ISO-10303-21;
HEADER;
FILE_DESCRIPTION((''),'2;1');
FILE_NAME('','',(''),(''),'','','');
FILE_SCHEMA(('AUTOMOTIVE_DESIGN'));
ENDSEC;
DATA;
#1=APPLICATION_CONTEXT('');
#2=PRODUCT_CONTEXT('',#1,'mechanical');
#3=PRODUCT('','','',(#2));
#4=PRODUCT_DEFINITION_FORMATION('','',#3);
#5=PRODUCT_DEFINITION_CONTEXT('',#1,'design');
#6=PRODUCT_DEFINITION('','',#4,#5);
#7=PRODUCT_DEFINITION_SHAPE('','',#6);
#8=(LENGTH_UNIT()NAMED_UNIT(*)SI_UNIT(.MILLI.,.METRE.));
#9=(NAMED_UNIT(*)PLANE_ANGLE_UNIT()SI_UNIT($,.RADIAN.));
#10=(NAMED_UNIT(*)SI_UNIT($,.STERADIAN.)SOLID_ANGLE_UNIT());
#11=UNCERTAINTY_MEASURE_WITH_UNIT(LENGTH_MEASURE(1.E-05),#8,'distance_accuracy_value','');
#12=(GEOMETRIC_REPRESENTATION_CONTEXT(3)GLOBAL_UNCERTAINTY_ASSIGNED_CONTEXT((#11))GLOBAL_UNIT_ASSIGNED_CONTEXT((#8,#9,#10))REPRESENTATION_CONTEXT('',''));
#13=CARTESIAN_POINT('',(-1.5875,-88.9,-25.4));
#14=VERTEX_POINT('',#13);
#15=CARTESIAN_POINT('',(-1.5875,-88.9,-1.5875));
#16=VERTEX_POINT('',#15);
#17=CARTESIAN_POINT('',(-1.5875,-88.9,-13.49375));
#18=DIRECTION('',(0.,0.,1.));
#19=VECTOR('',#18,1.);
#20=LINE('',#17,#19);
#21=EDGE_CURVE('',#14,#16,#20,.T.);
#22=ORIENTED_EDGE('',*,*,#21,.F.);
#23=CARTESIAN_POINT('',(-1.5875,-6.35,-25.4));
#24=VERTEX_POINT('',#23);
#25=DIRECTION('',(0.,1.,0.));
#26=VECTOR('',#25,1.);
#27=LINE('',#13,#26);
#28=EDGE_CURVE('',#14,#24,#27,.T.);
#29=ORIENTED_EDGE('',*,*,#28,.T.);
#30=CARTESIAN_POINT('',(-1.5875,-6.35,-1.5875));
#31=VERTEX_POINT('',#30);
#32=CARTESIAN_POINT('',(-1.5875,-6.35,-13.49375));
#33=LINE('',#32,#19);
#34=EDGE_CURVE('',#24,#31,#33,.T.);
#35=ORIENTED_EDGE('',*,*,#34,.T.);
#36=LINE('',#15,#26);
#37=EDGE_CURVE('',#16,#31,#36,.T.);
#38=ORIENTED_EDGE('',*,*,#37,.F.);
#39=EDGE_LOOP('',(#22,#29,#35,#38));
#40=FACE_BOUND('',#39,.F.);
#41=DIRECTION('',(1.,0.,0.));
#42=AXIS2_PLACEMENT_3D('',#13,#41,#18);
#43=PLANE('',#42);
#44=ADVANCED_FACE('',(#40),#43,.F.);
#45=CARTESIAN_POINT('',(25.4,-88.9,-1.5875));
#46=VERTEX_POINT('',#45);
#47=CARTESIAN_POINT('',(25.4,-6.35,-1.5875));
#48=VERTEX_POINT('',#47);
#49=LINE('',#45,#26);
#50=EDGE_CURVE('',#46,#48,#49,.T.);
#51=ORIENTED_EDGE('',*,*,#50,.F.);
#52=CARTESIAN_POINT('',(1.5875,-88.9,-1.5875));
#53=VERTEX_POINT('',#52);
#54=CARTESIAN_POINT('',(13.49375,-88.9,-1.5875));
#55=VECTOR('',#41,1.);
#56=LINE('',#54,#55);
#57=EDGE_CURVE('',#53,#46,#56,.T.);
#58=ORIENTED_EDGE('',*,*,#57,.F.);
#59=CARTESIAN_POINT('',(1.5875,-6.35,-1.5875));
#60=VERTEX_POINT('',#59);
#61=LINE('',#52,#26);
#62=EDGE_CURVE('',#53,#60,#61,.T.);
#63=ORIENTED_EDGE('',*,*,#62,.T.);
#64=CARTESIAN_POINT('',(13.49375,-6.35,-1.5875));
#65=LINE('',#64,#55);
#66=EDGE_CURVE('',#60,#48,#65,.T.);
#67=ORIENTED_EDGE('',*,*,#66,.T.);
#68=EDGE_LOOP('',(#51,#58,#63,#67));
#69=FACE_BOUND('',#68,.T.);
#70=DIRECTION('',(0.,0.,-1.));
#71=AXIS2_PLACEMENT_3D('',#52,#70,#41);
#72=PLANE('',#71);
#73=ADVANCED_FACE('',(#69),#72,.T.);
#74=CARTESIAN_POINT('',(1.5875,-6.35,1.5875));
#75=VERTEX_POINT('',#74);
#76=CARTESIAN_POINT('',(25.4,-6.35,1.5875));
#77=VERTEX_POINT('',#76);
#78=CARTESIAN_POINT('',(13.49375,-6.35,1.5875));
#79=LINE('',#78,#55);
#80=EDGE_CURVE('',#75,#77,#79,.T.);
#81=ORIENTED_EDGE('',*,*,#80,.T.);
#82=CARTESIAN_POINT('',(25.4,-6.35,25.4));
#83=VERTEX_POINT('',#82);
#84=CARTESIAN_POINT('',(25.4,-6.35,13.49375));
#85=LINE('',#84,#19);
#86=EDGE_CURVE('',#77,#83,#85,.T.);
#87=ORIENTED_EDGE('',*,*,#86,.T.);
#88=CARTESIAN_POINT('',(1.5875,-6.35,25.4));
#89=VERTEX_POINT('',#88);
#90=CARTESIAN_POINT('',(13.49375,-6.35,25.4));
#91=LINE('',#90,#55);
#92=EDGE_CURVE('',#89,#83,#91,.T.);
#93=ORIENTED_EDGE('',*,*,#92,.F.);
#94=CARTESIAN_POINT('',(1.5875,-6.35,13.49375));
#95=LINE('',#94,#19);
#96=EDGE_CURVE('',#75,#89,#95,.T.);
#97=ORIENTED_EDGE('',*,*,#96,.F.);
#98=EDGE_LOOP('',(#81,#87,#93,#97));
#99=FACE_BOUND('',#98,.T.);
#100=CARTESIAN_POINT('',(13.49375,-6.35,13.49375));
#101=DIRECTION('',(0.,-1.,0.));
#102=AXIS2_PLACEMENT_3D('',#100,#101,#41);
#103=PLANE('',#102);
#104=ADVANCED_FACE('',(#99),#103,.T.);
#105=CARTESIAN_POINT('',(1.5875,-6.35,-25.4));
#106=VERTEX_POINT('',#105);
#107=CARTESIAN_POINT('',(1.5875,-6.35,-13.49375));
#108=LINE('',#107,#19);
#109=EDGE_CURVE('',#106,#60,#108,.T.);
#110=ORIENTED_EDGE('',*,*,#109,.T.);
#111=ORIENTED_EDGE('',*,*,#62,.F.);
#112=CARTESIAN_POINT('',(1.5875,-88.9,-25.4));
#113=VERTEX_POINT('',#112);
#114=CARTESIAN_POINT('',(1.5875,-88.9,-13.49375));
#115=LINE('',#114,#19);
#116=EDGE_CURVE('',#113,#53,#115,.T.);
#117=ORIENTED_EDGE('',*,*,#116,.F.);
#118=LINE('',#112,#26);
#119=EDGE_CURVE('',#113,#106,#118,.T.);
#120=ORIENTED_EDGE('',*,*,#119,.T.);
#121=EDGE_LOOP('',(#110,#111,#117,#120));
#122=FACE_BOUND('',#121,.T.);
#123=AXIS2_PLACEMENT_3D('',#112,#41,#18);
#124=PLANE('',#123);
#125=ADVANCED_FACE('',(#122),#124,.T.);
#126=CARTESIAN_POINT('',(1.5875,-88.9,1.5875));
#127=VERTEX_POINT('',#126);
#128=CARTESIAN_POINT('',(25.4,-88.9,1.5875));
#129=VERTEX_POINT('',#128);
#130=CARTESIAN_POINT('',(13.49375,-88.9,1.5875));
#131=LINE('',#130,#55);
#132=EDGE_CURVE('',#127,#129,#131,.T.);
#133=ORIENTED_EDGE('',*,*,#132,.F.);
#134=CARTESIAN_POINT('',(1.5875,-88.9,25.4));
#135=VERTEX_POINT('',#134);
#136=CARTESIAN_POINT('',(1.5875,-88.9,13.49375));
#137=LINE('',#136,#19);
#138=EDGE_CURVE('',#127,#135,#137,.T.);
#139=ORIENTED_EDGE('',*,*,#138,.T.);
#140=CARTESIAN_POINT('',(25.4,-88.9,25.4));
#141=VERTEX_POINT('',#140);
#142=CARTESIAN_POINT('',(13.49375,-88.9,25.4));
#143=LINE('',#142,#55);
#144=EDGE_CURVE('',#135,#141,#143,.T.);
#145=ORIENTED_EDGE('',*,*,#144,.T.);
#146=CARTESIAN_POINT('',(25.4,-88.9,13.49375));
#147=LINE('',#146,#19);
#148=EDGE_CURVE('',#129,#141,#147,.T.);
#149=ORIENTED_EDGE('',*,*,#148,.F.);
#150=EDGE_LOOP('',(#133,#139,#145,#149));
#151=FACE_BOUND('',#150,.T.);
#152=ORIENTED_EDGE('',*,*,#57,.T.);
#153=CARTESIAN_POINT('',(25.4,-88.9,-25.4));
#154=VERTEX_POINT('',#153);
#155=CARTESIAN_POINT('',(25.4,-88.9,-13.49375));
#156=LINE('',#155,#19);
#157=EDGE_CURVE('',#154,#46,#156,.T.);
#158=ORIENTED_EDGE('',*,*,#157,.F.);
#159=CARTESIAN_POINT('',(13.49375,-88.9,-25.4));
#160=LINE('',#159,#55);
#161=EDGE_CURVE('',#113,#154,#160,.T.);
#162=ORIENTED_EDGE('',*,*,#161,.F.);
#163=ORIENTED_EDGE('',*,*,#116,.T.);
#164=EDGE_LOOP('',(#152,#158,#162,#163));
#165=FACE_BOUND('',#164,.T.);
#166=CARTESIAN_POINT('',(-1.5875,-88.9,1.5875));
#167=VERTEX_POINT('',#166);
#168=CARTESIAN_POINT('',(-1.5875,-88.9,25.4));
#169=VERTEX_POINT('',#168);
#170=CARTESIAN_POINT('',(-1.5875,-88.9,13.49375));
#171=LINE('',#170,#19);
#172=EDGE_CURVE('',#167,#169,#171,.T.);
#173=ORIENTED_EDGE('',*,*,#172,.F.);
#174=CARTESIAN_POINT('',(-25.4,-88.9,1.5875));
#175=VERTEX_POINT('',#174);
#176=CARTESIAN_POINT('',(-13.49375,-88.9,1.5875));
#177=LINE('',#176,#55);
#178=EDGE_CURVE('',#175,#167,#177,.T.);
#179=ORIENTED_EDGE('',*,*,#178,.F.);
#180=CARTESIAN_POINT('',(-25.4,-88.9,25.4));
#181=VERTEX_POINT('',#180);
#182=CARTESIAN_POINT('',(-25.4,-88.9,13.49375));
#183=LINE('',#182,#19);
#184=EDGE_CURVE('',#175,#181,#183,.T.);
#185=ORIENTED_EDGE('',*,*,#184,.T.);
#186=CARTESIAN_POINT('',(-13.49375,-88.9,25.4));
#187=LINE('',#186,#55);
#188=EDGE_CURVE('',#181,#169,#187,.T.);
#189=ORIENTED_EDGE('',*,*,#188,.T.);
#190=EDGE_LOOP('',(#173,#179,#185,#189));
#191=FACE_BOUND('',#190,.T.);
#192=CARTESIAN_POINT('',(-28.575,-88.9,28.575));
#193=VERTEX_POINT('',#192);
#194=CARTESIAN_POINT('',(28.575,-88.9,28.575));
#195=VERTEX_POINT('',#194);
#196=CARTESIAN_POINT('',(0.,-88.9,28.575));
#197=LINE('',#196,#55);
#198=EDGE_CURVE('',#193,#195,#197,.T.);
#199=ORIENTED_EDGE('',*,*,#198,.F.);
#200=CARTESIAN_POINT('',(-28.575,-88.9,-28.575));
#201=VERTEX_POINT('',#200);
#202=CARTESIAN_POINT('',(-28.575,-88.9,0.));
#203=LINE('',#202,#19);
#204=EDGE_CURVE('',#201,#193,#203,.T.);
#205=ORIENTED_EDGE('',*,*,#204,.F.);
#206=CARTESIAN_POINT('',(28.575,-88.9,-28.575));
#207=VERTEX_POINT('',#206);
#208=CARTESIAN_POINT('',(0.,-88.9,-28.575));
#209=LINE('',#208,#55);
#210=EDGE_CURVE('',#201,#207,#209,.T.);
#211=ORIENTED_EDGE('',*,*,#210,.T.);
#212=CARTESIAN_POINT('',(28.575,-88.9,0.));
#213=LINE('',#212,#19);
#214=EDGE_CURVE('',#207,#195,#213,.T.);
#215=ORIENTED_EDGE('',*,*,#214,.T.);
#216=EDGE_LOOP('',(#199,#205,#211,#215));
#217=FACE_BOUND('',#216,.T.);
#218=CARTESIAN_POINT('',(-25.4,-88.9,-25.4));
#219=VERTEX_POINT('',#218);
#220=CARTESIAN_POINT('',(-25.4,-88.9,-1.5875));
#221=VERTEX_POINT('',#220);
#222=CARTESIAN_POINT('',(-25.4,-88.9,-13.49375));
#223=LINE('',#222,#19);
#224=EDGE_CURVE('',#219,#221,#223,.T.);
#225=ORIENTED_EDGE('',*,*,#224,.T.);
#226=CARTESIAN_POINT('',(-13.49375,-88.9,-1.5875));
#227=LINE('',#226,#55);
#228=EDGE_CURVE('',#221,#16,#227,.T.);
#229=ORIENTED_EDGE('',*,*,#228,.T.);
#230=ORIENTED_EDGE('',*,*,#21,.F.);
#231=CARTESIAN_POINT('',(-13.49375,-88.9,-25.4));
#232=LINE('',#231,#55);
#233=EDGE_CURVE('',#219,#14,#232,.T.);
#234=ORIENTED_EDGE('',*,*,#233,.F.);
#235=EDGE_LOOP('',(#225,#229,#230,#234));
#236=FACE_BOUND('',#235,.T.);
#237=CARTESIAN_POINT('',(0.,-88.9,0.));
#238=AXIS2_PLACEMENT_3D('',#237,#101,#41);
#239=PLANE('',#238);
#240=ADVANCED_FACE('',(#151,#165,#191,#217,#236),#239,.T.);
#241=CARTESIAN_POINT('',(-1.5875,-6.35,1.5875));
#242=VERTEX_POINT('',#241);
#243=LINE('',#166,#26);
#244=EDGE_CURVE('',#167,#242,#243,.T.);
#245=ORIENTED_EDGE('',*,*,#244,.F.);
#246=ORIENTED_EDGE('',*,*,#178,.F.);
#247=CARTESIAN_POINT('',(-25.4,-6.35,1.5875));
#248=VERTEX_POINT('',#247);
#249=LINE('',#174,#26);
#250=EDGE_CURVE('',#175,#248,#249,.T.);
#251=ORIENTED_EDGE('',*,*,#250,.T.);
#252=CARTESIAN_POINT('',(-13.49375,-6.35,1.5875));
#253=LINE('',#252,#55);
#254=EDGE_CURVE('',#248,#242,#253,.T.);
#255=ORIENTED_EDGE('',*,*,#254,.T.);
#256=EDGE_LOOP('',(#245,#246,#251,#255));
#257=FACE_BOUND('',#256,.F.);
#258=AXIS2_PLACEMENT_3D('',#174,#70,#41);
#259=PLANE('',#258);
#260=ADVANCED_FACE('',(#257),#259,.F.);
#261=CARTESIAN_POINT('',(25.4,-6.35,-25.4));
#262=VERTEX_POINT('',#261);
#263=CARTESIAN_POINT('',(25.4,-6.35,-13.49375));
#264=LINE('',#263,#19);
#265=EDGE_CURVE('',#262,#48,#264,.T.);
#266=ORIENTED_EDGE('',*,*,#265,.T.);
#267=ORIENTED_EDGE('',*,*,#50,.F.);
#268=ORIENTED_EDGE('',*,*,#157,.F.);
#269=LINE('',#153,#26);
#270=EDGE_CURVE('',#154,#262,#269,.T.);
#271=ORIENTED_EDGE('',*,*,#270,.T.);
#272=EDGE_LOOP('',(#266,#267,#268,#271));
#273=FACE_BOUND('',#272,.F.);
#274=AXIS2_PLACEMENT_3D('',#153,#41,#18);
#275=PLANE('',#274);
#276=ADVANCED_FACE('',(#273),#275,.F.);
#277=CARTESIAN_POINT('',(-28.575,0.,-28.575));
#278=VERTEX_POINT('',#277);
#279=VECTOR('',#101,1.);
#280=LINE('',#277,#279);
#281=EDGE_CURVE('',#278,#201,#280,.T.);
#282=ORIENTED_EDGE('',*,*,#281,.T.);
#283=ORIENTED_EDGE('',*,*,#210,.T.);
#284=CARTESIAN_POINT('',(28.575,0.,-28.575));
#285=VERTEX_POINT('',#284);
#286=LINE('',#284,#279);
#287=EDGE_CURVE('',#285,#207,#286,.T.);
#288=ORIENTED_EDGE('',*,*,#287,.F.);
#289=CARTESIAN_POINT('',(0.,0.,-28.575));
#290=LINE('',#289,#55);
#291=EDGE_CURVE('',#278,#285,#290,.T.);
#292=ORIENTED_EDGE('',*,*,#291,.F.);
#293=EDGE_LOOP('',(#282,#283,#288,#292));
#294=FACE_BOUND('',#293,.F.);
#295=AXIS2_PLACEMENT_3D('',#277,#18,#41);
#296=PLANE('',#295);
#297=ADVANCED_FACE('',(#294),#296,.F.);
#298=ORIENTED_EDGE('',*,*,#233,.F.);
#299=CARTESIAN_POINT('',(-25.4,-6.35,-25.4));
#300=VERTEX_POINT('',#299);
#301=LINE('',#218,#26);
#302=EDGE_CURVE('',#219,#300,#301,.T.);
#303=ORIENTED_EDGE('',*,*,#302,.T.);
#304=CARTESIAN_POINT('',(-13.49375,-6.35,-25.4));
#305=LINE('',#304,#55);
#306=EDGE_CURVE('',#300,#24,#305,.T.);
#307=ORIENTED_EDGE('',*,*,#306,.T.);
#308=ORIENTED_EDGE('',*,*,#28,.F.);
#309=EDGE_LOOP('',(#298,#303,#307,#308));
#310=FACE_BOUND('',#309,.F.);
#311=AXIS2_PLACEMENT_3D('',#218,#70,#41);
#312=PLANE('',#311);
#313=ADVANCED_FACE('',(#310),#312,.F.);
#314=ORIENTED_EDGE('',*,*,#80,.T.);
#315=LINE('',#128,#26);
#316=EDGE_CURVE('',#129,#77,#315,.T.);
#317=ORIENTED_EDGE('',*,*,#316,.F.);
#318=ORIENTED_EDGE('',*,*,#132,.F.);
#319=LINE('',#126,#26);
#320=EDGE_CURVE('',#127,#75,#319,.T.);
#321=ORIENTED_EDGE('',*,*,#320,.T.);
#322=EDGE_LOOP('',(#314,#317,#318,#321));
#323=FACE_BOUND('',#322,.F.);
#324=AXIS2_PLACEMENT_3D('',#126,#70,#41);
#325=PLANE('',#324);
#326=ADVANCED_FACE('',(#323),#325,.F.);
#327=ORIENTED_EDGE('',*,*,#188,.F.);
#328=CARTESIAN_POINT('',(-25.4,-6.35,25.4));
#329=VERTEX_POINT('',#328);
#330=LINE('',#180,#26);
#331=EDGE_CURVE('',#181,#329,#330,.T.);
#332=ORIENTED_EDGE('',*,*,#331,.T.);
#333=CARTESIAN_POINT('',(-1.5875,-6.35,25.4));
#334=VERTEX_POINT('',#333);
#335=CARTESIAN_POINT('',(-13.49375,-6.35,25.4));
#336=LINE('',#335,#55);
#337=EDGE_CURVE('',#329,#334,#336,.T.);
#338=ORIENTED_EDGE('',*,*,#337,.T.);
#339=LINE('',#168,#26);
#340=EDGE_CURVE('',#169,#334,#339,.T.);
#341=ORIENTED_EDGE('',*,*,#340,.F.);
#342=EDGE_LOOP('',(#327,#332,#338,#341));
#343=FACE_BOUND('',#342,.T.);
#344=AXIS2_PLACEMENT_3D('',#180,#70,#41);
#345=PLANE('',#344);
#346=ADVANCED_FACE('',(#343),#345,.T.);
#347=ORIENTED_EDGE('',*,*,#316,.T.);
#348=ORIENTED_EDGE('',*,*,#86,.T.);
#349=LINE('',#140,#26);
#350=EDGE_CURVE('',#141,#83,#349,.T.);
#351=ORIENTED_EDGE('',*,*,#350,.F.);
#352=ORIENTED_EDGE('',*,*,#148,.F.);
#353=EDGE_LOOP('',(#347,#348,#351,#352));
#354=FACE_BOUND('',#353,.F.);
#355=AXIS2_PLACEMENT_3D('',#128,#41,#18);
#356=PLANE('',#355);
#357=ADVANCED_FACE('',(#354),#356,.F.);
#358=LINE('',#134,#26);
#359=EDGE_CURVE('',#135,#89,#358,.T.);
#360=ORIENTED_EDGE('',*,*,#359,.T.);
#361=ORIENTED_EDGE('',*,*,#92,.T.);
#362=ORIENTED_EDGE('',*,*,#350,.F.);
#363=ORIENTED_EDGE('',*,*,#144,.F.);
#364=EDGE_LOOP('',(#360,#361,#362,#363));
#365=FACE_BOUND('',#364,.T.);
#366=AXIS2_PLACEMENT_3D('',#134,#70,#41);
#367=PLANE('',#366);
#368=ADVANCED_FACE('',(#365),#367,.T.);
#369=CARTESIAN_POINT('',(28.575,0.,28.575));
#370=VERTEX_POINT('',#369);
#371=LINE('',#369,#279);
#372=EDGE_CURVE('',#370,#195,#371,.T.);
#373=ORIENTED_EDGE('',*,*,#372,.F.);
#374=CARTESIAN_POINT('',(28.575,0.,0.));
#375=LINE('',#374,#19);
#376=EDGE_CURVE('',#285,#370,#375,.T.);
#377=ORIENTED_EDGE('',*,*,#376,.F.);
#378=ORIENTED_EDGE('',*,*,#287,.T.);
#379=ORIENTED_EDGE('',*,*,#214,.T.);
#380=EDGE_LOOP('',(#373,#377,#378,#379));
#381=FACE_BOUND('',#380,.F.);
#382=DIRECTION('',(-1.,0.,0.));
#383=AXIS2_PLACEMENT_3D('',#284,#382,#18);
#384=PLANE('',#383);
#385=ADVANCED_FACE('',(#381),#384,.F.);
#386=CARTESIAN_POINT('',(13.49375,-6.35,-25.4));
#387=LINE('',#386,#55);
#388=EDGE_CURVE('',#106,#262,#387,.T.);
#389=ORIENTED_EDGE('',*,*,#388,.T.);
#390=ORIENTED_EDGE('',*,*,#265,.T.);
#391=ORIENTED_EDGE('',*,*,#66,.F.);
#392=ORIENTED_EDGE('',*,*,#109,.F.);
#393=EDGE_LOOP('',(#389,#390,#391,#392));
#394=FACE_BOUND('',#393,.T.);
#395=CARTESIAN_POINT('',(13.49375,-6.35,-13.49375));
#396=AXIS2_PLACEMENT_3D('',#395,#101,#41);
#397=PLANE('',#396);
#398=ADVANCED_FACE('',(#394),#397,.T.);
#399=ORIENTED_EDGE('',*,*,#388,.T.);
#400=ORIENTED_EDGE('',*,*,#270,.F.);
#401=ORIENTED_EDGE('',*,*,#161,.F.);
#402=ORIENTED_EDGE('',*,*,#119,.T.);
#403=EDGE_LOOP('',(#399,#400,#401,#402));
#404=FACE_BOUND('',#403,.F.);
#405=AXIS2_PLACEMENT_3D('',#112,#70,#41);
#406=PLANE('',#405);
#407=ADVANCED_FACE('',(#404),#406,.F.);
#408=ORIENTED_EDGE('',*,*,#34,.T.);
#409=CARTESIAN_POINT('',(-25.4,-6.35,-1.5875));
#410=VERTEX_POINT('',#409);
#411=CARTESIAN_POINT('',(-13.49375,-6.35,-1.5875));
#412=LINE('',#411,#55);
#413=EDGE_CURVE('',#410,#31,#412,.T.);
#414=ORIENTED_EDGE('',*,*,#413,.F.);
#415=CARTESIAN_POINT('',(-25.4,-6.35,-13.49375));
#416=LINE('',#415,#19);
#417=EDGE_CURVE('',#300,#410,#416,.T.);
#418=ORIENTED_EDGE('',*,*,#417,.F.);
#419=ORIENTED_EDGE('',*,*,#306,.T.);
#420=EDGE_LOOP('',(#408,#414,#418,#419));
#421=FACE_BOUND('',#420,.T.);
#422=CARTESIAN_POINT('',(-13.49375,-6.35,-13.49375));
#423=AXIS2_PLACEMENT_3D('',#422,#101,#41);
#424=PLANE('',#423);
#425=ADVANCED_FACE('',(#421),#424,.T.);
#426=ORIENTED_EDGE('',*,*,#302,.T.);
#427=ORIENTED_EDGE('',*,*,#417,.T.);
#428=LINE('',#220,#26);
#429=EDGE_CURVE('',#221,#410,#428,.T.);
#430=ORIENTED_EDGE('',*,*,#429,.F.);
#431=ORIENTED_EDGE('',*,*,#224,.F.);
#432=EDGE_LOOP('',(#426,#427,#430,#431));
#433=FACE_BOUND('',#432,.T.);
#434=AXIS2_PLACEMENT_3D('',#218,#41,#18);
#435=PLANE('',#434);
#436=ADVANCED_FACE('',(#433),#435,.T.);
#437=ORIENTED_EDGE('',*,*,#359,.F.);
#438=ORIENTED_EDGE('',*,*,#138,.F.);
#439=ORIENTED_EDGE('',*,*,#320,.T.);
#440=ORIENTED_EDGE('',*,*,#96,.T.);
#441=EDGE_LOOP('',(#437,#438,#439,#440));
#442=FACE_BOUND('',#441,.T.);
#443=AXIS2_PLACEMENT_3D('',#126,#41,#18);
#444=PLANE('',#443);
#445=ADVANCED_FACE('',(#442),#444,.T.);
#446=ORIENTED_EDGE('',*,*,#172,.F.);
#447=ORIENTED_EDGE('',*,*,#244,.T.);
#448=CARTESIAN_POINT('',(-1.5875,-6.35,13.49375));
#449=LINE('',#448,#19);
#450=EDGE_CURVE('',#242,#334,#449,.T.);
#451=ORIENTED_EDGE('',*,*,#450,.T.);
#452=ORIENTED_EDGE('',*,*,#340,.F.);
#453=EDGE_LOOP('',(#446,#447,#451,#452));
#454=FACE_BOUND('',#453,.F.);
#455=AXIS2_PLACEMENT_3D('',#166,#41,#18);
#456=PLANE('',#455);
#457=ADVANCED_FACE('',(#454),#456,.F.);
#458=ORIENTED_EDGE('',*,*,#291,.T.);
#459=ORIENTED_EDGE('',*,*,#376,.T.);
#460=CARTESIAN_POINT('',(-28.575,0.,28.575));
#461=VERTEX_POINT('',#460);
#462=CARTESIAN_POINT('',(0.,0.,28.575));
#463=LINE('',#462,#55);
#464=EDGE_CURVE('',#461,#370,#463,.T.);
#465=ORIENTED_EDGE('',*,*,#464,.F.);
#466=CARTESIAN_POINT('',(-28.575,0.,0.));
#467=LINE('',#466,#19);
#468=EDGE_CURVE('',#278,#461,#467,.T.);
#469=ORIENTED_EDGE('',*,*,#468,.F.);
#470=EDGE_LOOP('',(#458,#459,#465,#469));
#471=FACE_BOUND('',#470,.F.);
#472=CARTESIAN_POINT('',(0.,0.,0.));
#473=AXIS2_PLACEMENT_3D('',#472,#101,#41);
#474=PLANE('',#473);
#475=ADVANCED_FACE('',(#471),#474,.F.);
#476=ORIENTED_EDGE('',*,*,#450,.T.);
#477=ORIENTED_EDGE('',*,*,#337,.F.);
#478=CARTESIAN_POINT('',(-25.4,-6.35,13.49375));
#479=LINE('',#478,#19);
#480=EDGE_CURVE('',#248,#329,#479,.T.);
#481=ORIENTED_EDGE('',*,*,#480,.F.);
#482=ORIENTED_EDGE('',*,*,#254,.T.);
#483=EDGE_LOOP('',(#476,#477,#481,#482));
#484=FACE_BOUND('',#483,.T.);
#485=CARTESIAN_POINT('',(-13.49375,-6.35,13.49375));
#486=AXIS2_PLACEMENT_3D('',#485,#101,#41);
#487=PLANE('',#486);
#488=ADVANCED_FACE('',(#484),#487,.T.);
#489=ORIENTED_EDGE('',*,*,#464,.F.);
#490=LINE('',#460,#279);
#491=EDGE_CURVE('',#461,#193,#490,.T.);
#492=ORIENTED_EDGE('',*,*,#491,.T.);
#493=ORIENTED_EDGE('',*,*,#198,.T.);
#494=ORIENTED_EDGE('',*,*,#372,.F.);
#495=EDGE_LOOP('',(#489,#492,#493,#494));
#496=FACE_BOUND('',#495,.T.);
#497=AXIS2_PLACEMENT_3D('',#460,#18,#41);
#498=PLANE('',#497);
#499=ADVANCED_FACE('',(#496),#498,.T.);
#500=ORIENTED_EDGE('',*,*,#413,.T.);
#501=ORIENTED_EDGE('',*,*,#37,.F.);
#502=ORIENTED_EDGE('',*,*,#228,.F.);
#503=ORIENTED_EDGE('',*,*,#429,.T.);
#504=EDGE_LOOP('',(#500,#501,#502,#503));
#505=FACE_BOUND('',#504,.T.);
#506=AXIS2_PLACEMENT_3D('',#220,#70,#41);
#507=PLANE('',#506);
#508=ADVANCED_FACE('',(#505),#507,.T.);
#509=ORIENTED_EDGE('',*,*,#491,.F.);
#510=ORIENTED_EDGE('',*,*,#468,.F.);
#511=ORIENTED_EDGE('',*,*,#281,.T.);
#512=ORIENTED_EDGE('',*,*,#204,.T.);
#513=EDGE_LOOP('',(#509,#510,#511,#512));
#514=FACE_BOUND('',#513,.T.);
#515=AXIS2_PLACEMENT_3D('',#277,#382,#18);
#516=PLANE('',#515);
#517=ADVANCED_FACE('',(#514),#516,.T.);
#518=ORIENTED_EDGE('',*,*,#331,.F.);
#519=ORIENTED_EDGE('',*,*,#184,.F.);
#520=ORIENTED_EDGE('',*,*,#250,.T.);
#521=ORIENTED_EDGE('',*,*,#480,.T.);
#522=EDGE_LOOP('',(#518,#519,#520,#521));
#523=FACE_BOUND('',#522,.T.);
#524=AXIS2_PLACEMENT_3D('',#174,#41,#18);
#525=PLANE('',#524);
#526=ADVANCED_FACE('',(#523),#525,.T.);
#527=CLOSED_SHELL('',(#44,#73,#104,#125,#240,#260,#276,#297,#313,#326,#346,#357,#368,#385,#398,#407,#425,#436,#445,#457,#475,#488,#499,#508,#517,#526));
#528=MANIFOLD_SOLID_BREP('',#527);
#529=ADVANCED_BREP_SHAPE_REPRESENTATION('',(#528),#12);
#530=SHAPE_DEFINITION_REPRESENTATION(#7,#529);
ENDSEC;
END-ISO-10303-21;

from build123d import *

# Parameters (mm, degrees)
F0_W     = 57.15
F0_H     = 57.15
F1_DEPTH = 88.9
F2_W     = 23.8125
F2_H     = 23.8125
F3_DEPTH = 82.55
F4_W     = 23.8125
F4_H     = 23.8125
F5_DEPTH = 82.55
F6_W     = 23.8125
F6_H     = 23.8125
F7_DEPTH = 82.55
F8_W     = 23.8125
F8_H     = 23.8125
F9_DEPTH = 82.55


with BuildPart() as f1:
    # F0 (on Front) → F1 (new body)
    with BuildSketch(Plane.XZ):
        Rectangle(F0_W, F0_H)
    extrude(amount=F1_DEPTH)

    # F2 (on face) → F3 (cut)
    with BuildSketch(Plane.XZ.offset(88.9)):
        with Locations((-13.49375, 13.49375)):
            Rectangle(F2_W, F2_H)
    extrude(amount=-F3_DEPTH, mode=Mode.SUBTRACT)

    # F4 (on face) → F5 (cut)
    with BuildSketch(Plane.XZ.offset(88.9)):
        with Locations((13.49375, 13.49375)):
            Rectangle(F4_W, F4_H)
    extrude(amount=-F5_DEPTH, mode=Mode.SUBTRACT)

    # F6 (on face) → F7 (cut)
    with BuildSketch(Plane.XZ.offset(88.9)):
        with Locations((-13.49375, -13.49375)):
            Rectangle(F6_W, F6_H)
    extrude(amount=-F7_DEPTH, mode=Mode.SUBTRACT)

    # F8 (on face) → F9 (cut)
    with BuildSketch(Plane.XZ.offset(88.9)):
        with Locations((13.49375, -13.49375)):
            Rectangle(F8_W, F8_H)
    extrude(amount=-F9_DEPTH, mode=Mode.SUBTRACT)


solid = f1.part
